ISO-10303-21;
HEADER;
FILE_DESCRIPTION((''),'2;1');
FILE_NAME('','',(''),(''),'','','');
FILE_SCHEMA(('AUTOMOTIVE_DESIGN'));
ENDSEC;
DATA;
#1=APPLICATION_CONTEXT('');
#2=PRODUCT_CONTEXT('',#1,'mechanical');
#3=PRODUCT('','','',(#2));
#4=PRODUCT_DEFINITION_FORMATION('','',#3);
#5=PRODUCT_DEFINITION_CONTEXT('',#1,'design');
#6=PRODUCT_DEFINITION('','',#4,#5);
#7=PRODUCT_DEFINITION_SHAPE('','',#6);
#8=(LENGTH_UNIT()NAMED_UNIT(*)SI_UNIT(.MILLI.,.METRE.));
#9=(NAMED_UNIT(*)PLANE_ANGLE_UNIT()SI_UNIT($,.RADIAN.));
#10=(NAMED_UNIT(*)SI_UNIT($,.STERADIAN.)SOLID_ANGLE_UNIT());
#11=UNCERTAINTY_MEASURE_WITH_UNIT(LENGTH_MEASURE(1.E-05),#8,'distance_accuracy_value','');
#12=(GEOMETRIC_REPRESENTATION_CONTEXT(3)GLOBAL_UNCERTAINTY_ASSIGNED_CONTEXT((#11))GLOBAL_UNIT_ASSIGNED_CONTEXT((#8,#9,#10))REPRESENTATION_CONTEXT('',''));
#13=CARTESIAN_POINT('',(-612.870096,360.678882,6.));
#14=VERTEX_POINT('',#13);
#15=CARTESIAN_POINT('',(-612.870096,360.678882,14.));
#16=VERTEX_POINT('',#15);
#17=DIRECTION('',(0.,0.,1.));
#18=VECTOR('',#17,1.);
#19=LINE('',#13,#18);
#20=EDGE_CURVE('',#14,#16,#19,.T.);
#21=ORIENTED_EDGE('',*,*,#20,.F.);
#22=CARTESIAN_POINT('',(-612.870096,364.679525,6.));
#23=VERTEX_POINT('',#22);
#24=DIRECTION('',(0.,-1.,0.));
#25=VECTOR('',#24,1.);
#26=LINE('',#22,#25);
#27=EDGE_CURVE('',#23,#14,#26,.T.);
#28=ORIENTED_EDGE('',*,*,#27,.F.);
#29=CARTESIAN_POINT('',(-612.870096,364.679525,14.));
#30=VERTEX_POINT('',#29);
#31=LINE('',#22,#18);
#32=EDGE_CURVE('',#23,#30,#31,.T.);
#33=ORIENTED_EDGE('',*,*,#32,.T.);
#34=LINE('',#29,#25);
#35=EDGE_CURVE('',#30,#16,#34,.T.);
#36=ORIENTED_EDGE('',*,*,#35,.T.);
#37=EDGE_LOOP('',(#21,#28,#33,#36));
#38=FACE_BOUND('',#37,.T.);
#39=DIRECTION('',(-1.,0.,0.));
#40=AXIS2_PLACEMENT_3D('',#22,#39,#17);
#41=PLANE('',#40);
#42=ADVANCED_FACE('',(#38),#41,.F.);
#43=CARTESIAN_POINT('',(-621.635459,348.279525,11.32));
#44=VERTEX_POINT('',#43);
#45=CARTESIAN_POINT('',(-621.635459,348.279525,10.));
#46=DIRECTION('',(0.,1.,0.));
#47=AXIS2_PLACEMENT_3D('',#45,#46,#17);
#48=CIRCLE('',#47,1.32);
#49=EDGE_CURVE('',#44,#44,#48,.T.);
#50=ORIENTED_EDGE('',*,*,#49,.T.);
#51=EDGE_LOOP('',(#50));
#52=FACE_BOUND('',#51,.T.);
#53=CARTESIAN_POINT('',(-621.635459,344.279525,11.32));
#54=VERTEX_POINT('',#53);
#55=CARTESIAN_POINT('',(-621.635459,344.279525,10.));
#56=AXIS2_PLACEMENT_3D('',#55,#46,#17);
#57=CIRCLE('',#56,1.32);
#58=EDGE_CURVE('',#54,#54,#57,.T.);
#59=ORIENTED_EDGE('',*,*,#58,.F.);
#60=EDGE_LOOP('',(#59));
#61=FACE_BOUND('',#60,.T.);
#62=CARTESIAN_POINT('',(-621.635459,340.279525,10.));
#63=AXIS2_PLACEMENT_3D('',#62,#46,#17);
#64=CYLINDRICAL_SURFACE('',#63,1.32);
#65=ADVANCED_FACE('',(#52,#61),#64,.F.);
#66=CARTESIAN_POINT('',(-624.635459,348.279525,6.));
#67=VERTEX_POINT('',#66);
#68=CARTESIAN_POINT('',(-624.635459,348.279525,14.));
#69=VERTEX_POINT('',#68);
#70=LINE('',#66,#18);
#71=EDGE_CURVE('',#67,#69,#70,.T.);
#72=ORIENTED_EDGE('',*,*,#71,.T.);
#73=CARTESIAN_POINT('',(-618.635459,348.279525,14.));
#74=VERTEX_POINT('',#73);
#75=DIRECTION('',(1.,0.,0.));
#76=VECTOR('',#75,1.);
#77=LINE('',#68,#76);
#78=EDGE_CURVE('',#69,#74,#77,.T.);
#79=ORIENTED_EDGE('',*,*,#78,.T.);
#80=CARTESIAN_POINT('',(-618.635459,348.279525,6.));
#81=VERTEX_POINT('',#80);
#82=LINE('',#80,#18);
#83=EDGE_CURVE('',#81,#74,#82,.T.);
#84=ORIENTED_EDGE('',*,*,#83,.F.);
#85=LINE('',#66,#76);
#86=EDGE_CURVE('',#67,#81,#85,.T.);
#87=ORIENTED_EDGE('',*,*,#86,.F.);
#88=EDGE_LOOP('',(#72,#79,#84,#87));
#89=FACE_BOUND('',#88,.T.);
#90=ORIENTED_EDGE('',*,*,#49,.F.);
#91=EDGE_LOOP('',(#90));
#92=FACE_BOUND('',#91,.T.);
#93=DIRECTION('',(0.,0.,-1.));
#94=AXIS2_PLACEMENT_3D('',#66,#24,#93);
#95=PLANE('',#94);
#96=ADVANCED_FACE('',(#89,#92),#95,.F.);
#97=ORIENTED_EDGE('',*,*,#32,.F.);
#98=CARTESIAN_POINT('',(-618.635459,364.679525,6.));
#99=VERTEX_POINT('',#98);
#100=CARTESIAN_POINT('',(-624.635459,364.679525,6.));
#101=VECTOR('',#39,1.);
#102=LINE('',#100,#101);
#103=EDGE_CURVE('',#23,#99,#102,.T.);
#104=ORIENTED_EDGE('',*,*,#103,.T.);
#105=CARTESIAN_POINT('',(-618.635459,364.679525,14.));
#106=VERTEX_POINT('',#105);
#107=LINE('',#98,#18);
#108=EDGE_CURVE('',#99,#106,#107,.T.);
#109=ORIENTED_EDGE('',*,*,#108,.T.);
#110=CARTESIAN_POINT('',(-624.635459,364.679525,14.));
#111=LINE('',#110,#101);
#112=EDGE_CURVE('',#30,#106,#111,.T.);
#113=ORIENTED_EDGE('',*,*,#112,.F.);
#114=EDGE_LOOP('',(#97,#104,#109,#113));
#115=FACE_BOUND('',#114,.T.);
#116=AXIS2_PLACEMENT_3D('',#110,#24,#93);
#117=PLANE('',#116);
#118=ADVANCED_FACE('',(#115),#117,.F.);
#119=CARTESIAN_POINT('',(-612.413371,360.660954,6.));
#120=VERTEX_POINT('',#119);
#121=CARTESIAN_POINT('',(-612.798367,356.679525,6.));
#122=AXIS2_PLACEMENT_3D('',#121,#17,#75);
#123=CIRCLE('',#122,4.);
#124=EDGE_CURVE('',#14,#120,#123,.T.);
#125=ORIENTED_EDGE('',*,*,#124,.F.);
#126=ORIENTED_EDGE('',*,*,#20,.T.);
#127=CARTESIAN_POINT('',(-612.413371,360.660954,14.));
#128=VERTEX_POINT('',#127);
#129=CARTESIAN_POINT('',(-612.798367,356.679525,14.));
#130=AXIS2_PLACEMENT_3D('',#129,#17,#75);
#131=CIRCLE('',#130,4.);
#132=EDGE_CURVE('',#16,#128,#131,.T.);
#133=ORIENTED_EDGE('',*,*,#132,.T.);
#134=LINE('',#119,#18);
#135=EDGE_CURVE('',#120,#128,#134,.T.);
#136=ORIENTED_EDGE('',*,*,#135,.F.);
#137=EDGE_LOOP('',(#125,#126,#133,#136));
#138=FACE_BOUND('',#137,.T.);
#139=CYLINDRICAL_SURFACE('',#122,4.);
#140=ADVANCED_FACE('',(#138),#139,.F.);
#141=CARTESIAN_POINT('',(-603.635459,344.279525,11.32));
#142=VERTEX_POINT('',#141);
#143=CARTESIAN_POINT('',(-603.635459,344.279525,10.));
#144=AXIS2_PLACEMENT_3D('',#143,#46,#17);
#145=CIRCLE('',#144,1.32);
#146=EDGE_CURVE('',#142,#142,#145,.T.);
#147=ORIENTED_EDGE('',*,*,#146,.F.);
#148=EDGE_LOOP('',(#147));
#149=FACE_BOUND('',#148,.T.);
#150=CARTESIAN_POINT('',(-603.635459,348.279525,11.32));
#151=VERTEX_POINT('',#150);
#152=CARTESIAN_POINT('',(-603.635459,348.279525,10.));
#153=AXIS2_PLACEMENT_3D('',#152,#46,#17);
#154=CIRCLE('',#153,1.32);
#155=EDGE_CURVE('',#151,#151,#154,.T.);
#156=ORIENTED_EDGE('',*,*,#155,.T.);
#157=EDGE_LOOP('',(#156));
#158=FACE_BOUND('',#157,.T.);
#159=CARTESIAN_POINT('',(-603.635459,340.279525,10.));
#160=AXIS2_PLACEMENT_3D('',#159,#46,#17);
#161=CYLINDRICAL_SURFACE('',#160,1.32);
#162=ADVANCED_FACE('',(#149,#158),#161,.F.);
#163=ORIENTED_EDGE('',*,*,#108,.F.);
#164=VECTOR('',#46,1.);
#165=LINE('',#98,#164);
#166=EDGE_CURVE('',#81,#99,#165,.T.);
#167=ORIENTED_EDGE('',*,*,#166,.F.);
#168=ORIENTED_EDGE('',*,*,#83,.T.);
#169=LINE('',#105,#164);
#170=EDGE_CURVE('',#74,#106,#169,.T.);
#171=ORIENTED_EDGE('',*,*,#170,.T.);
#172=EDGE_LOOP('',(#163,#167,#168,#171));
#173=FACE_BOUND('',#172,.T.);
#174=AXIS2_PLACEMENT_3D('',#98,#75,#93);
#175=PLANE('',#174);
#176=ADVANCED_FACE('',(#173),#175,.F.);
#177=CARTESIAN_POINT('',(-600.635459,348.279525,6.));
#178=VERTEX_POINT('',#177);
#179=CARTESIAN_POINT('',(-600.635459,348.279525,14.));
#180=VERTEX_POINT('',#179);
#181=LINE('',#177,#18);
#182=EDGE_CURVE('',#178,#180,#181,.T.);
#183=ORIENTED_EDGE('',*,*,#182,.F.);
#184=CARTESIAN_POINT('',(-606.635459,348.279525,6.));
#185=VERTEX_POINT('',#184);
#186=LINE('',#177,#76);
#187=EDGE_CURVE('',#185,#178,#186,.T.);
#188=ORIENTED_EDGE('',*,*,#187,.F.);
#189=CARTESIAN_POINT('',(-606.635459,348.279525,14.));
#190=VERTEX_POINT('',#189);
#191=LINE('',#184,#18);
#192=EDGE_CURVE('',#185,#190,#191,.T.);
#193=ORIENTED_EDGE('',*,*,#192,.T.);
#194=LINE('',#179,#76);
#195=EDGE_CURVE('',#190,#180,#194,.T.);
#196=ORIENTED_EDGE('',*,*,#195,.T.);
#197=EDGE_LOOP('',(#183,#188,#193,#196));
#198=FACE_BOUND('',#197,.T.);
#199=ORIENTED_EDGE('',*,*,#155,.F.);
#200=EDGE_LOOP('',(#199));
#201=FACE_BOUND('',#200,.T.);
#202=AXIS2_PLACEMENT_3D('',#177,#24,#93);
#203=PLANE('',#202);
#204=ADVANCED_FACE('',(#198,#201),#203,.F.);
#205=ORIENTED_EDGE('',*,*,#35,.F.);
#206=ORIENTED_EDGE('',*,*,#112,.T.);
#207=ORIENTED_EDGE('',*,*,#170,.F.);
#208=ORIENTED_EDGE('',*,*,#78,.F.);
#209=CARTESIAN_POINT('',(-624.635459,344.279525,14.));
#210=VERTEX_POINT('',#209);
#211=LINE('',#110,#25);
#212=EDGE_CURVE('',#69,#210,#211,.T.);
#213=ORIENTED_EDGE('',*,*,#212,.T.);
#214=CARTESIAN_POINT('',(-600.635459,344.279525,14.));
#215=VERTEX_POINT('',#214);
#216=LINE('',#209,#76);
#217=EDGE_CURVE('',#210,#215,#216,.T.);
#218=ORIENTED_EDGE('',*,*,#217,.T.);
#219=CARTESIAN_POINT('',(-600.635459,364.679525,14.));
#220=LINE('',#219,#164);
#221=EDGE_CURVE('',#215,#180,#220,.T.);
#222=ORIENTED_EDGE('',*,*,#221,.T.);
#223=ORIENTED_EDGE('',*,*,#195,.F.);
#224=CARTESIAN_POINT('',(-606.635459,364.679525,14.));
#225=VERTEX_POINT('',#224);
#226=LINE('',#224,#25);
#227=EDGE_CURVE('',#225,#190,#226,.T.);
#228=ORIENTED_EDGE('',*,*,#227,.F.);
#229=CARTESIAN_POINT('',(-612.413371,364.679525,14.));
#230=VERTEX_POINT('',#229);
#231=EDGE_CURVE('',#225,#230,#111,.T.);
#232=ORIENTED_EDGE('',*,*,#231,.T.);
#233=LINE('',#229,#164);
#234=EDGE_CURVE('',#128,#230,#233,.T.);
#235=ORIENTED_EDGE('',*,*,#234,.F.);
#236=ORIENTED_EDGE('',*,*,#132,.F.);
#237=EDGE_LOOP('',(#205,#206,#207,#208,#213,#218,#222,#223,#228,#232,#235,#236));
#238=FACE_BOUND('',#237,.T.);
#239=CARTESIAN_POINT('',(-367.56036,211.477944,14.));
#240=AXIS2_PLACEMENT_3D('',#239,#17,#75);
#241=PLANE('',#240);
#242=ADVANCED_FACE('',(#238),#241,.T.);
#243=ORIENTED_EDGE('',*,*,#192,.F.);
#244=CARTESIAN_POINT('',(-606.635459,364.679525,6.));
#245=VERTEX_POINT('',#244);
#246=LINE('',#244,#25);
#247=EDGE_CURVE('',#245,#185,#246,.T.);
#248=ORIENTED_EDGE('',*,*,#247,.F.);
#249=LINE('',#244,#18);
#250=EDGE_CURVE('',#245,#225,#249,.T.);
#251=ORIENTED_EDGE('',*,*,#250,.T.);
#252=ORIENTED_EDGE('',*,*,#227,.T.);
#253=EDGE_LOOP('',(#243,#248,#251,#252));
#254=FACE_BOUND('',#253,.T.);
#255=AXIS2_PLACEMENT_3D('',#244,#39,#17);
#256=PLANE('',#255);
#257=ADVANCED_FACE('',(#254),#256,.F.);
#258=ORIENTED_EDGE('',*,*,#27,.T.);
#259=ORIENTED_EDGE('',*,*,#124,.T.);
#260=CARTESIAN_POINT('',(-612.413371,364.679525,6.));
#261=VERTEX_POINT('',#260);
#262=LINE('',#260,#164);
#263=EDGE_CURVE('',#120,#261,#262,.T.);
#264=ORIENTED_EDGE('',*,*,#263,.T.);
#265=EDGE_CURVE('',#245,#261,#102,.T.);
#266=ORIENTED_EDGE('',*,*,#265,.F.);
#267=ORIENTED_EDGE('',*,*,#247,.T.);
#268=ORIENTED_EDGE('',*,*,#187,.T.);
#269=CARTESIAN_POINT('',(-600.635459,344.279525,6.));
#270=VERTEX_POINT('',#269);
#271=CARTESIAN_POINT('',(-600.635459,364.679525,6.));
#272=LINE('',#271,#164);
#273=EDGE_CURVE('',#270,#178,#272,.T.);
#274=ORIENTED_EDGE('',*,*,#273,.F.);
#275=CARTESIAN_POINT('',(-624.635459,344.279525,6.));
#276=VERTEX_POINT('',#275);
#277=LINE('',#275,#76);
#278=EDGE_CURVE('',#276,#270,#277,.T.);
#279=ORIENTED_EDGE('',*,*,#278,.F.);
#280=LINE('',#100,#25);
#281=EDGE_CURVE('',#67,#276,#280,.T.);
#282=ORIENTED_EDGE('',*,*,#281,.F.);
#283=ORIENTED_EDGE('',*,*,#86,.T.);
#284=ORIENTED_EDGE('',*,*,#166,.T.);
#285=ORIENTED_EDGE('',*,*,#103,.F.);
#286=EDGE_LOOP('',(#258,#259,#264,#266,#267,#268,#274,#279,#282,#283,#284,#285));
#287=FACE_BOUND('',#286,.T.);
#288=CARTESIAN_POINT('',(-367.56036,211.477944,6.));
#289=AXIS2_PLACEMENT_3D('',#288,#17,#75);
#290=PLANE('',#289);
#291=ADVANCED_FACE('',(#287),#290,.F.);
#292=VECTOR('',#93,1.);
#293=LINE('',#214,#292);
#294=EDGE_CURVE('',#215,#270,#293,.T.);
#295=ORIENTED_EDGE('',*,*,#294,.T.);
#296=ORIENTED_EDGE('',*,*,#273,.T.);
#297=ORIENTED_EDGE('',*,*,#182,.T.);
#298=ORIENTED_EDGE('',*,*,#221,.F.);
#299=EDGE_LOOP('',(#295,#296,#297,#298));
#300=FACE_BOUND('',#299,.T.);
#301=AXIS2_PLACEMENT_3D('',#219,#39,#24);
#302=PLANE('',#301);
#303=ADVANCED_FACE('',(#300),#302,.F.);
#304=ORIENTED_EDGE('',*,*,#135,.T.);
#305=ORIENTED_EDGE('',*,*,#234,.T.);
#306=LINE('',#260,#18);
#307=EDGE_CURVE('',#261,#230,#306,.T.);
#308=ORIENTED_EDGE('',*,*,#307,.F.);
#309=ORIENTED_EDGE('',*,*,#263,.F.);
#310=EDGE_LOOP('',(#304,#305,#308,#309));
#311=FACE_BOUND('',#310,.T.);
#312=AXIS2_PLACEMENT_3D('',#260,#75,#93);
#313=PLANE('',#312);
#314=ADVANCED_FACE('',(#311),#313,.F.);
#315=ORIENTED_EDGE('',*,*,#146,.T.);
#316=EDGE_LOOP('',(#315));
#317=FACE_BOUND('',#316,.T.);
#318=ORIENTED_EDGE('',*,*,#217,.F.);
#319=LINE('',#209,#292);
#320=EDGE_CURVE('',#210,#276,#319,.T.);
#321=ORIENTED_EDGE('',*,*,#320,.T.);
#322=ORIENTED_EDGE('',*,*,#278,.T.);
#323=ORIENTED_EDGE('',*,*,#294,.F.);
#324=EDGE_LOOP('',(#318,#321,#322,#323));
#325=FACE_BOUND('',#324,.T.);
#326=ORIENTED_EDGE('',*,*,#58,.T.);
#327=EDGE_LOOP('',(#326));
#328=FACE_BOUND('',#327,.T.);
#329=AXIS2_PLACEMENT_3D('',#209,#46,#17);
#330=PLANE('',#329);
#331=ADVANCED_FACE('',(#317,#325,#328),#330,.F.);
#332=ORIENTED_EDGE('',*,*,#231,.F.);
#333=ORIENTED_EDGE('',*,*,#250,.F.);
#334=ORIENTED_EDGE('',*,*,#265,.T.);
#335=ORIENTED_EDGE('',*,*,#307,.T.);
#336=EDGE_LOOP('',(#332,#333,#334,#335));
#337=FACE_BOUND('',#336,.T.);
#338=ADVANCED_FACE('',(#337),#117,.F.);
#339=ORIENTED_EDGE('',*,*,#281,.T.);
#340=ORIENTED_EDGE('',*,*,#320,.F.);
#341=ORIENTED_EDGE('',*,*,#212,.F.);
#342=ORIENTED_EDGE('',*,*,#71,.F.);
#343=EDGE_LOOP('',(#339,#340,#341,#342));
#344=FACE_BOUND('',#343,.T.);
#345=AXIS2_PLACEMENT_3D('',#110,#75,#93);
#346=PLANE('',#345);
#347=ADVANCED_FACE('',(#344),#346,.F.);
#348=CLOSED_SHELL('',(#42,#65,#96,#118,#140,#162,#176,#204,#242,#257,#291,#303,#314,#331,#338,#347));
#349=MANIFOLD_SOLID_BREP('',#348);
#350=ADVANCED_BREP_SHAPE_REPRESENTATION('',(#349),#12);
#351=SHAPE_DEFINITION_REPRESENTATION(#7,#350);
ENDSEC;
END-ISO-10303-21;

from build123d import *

# Parameters (mm, degrees)
SKETCH1_W           = 60
SKETCH1_H           = 51
BOSS_EXTRUDE1_DEPTH = 20
SKETCH2_W           = 15
SKETCH2_H           = 41
CUT_EXTRUDE1_DEPTH  = 20
SKETCH3_R           = 10
CUT_EXTRUDE2_DEPTH  = 20
SKETCH4_R           = 3.3
CUT_EXTRUDE3_DEPTH  = 20
SKETCH7_W           = 1.141811335
SKETCH7_H           = 10.046427162
CUT_EXTRUDE4_DEPTH  = 20
SCALE1_SCALE        = 0.8
SCALE2_SCALE        = 0.5


with BuildPart() as part:
    # Sketch1 → Boss-Extrude1 (new body)
    with BuildSketch(Plane.XY):
        with Locations((-612.687747036, 357.503952569)):
            Rectangle(SKETCH1_W, SKETCH1_H)
    extrude(amount=BOSS_EXTRUDE1_DEPTH)

    # Sketch2 → Cut-Extrude1 (cut)
    with BuildSketch(Plane.XY.offset(20)):
        with Locations((-635.187747036, 362.503952569)):
            Rectangle(SKETCH2_W, SKETCH2_H)
        with Locations((-590.187747036, 362.503952569)):
            Rectangle(SKETCH2_W, SKETCH2_H)
    extrude(amount=-CUT_EXTRUDE1_DEPTH, mode=Mode.SUBTRACT)

    # Sketch3 → Cut-Extrude2 (cut)
    with BuildSketch(Plane.XY.offset(20)):
        with Locations((-613.095017258, 363.003952569)):
            Circle(SKETCH3_R)
    extrude(amount=-CUT_EXTRUDE2_DEPTH, mode=Mode.SUBTRACT)

    # Sketch4 → Cut-Extrude3 (cut)
    with BuildSketch(Plane(origin=(0, 342.003952569, 0), x_dir=(1, 0, 0), z_dir=(0, 1, 0))):
        with Locations(Location((-635.187747036, -10, 0), (0, 0, 270))):
            Circle(SKETCH4_R)
        with Locations(Location((-590.187747036, -10, 0), (0, 0, 270))):
            Circle(SKETCH4_R)
    extrude(amount=-CUT_EXTRUDE3_DEPTH, mode=Mode.SUBTRACT)

    # Sketch7 → Cut-Extrude4 (cut)
    with BuildSketch(Plane.XY.offset(20)):
        with Locations((-612.703432528, 377.980738988)):
            Rectangle(SKETCH7_W, SKETCH7_H)
    extrude(amount=-CUT_EXTRUDE4_DEPTH, mode=Mode.SUBTRACT)


with BuildPart() as part_1:
    # Scale1: scaled about (-612.600600691, 352.463239706, 10)
    add(part.part.scale(SCALE1_SCALE).moved(Location((-122.520120138, 70.492647941, 2))))


with BuildPart() as part_2:
    # Scale2: scaled about (-612.600600691, 352.463239706, 10)
    add(part_1.part.scale(SCALE2_SCALE).moved(Location((-306.300300345, 176.231619853, 5))))


solid = part_2.part
